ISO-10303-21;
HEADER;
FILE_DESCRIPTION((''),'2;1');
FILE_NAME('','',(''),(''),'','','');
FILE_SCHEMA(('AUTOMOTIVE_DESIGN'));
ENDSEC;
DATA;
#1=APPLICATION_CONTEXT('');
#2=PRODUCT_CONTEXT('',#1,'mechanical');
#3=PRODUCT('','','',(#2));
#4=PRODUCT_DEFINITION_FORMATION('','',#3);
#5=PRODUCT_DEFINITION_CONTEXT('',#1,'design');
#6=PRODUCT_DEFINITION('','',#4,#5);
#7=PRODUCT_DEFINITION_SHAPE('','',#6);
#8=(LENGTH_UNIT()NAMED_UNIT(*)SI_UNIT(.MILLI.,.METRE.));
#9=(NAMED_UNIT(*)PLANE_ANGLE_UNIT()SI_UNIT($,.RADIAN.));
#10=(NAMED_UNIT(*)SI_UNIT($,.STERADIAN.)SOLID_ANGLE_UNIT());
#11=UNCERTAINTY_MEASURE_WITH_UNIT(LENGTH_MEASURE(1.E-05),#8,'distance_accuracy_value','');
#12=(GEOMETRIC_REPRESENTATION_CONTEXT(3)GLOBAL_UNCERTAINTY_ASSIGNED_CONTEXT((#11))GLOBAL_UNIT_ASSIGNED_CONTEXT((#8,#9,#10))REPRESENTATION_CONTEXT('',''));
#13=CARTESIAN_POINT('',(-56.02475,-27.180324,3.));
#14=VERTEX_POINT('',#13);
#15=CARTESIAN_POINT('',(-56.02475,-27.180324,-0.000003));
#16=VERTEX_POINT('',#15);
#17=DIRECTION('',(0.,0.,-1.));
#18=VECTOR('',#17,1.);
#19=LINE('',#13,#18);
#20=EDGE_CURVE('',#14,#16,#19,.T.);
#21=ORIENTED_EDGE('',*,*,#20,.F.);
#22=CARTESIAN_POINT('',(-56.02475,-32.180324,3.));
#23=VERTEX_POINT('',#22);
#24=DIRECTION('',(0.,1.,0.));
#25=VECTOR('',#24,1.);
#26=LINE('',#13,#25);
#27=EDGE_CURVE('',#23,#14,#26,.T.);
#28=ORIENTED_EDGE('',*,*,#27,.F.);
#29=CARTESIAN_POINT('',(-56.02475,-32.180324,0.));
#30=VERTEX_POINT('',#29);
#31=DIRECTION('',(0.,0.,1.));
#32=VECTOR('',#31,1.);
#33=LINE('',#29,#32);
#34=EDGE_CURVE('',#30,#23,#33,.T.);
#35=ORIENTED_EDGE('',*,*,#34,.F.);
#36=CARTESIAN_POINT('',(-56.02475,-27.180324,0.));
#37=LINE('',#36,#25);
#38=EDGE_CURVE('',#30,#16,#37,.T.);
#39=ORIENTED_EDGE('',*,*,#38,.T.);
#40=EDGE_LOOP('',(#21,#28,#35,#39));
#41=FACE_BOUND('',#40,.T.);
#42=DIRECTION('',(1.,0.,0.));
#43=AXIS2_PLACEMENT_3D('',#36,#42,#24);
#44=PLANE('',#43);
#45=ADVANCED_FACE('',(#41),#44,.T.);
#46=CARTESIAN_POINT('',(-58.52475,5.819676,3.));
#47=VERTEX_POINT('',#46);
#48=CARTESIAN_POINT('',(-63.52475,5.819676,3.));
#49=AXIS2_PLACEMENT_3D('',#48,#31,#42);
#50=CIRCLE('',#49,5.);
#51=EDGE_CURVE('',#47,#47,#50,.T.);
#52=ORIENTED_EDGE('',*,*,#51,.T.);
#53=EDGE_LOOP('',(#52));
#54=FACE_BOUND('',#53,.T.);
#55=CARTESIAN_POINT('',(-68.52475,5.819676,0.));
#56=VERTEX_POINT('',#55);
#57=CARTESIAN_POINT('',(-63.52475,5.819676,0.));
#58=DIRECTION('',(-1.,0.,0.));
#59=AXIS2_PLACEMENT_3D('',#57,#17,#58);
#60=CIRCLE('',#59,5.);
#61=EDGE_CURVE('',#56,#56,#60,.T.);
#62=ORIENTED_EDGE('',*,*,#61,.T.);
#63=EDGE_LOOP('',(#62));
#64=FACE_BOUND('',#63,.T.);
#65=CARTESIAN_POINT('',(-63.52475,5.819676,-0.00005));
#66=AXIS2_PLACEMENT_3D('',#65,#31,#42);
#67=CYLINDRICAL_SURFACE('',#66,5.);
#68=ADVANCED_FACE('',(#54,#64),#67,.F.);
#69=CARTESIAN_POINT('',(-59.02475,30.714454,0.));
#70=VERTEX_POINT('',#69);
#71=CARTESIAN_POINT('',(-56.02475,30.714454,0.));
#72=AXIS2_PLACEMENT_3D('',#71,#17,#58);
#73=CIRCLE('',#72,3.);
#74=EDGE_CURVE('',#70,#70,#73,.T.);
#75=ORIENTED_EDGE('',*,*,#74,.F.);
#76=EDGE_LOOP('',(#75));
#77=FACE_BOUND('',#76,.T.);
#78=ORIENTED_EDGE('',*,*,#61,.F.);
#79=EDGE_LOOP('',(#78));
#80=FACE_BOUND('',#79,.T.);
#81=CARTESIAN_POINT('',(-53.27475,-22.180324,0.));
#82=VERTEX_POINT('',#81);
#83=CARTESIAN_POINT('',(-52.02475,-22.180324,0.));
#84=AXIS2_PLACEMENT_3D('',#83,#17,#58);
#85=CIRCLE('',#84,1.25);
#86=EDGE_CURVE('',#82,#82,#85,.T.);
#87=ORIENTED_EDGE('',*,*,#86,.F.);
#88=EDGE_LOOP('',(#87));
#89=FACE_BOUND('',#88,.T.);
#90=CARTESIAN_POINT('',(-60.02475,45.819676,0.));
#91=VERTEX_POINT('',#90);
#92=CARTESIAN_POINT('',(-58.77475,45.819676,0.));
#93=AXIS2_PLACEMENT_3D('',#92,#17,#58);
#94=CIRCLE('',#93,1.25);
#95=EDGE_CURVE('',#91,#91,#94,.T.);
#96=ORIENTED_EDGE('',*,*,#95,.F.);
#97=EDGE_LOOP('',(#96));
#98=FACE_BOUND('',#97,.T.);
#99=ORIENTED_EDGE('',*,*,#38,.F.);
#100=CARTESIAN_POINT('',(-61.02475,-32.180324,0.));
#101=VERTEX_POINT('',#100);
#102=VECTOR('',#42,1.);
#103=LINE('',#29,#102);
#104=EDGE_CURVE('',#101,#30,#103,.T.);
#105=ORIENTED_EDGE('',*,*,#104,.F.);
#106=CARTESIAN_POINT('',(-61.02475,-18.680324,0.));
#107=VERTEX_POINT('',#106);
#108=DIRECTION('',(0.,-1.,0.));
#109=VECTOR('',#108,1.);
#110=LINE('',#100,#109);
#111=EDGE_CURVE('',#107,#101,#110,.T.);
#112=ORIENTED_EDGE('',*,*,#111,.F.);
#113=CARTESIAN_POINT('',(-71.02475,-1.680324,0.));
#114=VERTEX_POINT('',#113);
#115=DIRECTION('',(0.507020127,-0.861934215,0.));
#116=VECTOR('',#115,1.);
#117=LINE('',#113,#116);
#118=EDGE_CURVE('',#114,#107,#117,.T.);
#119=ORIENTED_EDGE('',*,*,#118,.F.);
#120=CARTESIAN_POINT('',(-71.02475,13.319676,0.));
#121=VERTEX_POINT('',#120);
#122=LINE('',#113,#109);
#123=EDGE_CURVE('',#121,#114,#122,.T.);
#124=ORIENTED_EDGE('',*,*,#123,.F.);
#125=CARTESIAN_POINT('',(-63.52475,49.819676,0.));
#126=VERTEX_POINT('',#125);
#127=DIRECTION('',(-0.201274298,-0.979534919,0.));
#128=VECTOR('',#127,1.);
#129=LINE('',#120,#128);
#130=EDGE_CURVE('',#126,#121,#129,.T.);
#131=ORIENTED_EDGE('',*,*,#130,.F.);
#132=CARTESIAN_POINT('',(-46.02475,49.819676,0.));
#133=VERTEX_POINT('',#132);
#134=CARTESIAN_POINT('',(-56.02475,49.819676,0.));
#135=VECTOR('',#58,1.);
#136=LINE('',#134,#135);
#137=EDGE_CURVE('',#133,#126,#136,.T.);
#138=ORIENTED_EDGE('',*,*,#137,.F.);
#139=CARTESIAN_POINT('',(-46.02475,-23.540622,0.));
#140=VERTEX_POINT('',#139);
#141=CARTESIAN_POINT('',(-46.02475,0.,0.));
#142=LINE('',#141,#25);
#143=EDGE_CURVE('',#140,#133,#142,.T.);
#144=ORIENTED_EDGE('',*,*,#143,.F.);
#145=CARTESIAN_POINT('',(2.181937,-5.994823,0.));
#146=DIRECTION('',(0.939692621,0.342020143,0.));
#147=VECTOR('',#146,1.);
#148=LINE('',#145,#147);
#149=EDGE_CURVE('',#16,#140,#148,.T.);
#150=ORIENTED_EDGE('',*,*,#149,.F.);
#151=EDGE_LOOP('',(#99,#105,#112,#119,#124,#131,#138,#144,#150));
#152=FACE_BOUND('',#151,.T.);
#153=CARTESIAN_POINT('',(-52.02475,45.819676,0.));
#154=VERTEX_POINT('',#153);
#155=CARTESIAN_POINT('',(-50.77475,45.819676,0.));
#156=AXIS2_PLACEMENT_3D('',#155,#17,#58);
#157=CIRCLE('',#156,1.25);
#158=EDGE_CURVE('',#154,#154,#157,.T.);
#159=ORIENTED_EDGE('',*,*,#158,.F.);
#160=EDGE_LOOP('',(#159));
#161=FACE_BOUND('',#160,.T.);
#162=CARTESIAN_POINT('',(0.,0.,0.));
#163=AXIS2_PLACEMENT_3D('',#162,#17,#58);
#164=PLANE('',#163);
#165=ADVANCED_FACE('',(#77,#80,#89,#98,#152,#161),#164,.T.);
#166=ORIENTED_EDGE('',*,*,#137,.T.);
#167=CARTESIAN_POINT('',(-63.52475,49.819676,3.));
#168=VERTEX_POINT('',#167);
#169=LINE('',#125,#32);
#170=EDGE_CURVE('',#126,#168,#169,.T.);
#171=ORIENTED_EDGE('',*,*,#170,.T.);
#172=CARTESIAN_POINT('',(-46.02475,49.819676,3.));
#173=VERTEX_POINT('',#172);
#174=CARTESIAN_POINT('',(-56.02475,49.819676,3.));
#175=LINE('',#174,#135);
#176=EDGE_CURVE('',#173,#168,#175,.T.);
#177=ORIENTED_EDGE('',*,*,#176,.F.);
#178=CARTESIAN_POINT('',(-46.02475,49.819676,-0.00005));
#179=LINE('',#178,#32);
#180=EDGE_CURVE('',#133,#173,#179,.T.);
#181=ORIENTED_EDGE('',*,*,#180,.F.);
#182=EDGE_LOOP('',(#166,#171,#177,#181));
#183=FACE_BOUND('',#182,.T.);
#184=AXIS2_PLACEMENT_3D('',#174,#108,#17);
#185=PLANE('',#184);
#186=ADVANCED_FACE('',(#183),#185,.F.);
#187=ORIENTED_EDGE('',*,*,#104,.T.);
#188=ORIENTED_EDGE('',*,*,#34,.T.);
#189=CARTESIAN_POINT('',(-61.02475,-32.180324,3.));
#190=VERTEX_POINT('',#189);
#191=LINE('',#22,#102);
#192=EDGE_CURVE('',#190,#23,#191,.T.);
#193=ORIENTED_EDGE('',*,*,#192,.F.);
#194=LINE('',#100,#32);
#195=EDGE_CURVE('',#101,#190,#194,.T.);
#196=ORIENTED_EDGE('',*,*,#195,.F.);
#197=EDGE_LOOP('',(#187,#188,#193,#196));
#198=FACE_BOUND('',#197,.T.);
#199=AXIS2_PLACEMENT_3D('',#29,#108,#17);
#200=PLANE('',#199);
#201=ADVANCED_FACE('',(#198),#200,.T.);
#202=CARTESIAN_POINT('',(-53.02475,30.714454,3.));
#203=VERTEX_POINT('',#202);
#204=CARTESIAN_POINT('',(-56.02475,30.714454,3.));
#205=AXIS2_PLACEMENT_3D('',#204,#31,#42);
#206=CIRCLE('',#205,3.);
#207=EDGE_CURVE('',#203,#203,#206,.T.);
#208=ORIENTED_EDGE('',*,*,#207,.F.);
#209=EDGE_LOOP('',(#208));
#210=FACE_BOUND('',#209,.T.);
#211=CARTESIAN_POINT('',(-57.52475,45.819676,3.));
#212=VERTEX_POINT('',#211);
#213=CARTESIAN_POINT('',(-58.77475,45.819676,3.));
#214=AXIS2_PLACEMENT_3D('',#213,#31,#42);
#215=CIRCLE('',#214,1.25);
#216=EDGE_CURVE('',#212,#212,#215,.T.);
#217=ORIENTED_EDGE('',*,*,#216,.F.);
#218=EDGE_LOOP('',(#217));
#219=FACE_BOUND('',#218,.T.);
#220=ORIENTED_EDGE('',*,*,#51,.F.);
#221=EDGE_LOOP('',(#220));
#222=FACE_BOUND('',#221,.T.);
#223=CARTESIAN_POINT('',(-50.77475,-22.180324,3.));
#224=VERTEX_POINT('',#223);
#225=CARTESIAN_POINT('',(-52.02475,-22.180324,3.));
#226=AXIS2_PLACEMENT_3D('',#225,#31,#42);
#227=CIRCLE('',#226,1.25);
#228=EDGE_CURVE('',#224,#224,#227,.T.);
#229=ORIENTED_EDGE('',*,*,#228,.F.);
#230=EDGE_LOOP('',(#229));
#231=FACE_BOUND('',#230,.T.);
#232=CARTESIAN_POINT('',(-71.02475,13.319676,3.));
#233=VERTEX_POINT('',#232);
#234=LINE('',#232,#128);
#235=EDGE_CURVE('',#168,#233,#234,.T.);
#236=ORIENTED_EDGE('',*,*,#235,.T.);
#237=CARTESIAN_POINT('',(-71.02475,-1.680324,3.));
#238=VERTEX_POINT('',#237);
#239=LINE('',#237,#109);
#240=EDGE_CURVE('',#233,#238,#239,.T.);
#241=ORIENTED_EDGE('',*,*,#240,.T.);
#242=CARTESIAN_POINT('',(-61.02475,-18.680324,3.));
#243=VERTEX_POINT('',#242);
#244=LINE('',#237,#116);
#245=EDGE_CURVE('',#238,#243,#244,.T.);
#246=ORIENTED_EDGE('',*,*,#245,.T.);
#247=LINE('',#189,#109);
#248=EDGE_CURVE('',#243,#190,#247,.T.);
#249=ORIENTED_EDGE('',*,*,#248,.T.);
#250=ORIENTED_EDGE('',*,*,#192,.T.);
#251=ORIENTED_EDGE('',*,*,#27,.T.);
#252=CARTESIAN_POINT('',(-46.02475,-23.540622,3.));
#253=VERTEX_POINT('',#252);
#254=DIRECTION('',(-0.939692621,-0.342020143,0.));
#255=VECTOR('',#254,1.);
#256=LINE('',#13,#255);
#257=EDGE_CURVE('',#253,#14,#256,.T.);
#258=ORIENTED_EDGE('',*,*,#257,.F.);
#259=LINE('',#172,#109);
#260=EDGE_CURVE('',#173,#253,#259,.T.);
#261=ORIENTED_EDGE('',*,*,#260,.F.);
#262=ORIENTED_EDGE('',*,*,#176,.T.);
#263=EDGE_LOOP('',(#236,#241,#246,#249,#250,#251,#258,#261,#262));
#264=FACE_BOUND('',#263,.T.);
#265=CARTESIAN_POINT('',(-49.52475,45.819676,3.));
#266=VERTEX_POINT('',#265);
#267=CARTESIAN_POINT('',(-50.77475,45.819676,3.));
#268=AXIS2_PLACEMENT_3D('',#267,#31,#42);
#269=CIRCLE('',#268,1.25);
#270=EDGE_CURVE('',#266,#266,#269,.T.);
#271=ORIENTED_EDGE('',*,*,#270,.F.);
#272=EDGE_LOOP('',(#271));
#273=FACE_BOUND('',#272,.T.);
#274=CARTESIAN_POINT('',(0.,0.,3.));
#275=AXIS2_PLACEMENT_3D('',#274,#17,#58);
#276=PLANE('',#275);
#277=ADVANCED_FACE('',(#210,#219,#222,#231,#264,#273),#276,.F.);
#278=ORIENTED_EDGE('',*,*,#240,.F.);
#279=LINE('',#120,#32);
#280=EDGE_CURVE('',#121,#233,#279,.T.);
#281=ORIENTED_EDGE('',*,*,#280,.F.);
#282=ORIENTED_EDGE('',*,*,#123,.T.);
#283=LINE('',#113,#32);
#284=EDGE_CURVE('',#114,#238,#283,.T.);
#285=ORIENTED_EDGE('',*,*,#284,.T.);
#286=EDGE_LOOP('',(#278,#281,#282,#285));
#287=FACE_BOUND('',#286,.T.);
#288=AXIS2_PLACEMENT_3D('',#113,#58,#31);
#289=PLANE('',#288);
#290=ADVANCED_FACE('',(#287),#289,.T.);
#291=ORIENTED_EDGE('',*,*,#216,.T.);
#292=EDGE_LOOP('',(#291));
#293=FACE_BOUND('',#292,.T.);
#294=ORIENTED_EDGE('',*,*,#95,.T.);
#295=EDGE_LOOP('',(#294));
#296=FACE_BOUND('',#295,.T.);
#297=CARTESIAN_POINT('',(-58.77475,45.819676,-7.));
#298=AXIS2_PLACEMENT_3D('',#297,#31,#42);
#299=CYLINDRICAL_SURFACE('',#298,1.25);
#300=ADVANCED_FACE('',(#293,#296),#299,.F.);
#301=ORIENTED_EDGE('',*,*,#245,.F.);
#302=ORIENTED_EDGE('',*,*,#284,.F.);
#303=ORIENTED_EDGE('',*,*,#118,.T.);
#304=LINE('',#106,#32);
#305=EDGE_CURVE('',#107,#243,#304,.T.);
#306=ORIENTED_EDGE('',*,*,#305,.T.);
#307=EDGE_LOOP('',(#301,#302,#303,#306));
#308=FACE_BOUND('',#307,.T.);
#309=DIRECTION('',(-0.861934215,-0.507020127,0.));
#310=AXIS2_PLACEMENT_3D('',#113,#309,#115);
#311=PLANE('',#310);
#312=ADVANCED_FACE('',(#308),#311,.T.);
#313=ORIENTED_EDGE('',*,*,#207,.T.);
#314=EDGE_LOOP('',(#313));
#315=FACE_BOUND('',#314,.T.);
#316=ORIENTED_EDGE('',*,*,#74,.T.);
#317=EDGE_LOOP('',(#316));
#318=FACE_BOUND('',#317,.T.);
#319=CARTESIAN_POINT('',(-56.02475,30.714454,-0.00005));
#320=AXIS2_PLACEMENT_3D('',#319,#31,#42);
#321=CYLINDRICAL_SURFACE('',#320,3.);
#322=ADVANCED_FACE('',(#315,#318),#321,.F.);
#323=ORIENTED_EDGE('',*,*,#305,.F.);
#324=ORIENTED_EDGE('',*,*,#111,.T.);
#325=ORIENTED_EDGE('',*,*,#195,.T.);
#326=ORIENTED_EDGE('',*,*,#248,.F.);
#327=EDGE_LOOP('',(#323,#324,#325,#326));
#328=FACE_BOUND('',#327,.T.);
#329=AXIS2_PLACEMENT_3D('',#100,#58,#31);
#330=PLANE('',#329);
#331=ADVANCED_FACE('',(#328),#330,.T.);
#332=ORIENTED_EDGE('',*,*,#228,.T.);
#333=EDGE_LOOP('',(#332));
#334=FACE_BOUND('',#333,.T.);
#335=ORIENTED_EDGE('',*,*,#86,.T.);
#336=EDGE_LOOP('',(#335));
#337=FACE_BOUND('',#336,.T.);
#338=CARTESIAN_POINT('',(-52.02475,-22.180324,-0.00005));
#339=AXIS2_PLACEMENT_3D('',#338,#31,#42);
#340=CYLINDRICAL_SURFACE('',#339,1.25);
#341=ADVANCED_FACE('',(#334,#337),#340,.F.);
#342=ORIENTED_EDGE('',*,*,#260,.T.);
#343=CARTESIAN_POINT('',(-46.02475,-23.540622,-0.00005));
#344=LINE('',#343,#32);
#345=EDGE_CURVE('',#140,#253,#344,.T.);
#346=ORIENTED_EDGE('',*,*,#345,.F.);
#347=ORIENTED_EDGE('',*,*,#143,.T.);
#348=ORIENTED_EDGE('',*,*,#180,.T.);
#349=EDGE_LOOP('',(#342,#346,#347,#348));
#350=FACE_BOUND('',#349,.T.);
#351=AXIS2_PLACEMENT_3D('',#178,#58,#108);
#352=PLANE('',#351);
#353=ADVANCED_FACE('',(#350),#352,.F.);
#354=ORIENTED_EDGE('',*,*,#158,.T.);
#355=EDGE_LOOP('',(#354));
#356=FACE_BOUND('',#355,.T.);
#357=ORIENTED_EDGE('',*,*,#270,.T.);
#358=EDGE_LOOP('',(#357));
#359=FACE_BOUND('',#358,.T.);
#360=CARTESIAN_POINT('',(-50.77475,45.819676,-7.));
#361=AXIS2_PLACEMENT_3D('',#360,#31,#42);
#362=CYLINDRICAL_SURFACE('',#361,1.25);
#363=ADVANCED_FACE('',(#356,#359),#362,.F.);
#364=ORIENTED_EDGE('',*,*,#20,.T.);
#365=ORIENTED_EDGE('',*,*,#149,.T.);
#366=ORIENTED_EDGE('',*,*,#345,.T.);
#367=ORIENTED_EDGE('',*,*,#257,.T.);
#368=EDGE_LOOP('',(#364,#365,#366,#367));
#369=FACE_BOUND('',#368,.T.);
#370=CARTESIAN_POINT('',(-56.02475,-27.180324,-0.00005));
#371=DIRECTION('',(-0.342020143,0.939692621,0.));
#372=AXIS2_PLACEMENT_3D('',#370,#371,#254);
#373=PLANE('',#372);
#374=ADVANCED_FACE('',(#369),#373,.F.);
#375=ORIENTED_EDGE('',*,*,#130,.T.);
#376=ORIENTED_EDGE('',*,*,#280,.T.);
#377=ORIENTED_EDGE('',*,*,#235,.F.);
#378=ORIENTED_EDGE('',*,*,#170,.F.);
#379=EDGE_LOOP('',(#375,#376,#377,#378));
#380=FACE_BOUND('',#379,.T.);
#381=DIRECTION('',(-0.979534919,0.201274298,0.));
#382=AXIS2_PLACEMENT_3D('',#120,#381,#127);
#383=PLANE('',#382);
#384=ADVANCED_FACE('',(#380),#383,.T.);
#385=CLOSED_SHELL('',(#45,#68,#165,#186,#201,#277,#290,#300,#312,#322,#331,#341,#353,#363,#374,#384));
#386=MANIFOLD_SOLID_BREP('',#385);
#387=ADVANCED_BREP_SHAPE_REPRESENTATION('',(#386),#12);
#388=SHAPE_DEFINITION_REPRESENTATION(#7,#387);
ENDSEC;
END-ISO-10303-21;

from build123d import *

# Parameters (mm, degrees)
SKETCH2_W           = 20
SKETCH2_H           = 77
BOSS_EXTRUDE1_DEPTH = 3
SKETCH3_W           = 15
SKETCH3_H           = 15
BOSS_EXTRUDE2_DEPTH = 3
BOSS_EXTRUDE3_DEPTH = 3
BOSS_EXTRUDE4_DEPTH = 3
SKETCH6_R           = 5
SKETCH6_R_2         = 3
SKETCH6_R_3         = 1.25
CUT_EXTRUDE1_DEPTH  = 4
SKETCH7_R           = 1.25
CUT_EXTRUDE2_DEPTH  = 10


with BuildPart() as part:
    # Sketch2 → Boss-Extrude1 (new body)
    with BuildSketch(Plane.XY):
        with Locations((-46.024750416, 11.319675541)):
            Rectangle(SKETCH2_W, SKETCH2_H)
    extrude(amount=BOSS_EXTRUDE1_DEPTH)

    # Sketch3 → Boss-Extrude2 (add)
    with BuildSketch(Plane.XY.offset(3)):
        with Locations((-63.524750416, 5.819675541)):
            Rectangle(SKETCH3_W, SKETCH3_H)
    extrude(amount=-BOSS_EXTRUDE2_DEPTH)

    # Sketch4 → Boss-Extrude3 (add)
    with BuildSketch(Plane.XY.offset(3)):
        Polygon((-71.024750416, 13.319675541), (-63.524750416, 49.819675541), (-56.024750416, 49.819675541), (-56.024750416, 13.319675541), align=None)
        Polygon((-71.024750416, -1.680324459), (-56.024750416, -27.180324459), (-56.024750416, -1.680324459), align=None)
    extrude(amount=-BOSS_EXTRUDE3_DEPTH)

    # Sketch5 → Boss-Extrude4 (add)
    with BuildSketch(Plane.XY.offset(3)):
        Polygon((-56.024750416, -27.180324459), (-56.024750416, -32.180324459), (-61.024750416, -32.180324459), (-61.024750416, -18.680324459), align=None)
    extrude(amount=-BOSS_EXTRUDE4_DEPTH)

    # Sketch6 → Cut-Extrude1 (cut, through all)
    with BuildSketch(Plane.XY.offset(3)):
        with Locations((-63.524750416, 5.819675541)):
            Circle(SKETCH6_R)
        with Locations((-56.024750416, 30.71445411)):
            Circle(SKETCH6_R_2)
        with Locations((-52.024750416, -22.180324459)):
            Circle(SKETCH6_R_3)
        Polygon((-56.024750416, -27.180324459), (-46.024750416, -23.540622117), (-46.024750416, 49.819675541), (-36.024750416, 49.819675541), (-36.024750416, -27.180324459), (-46.024750416, -27.180324459), align=None)
    extrude(amount=-CUT_EXTRUDE1_DEPTH, mode=Mode.SUBTRACT)

    # Sketch7 → Cut-Extrude2 (cut)
    with BuildSketch(Plane.XY.offset(3)):
        with Locations((-58.774750416, 45.819675541)):
            Circle(SKETCH7_R)
        with Locations((-50.774750416, 45.819675541)):
            Circle(SKETCH7_R)
    extrude(amount=-CUT_EXTRUDE2_DEPTH, mode=Mode.SUBTRACT)


solid = part.part
